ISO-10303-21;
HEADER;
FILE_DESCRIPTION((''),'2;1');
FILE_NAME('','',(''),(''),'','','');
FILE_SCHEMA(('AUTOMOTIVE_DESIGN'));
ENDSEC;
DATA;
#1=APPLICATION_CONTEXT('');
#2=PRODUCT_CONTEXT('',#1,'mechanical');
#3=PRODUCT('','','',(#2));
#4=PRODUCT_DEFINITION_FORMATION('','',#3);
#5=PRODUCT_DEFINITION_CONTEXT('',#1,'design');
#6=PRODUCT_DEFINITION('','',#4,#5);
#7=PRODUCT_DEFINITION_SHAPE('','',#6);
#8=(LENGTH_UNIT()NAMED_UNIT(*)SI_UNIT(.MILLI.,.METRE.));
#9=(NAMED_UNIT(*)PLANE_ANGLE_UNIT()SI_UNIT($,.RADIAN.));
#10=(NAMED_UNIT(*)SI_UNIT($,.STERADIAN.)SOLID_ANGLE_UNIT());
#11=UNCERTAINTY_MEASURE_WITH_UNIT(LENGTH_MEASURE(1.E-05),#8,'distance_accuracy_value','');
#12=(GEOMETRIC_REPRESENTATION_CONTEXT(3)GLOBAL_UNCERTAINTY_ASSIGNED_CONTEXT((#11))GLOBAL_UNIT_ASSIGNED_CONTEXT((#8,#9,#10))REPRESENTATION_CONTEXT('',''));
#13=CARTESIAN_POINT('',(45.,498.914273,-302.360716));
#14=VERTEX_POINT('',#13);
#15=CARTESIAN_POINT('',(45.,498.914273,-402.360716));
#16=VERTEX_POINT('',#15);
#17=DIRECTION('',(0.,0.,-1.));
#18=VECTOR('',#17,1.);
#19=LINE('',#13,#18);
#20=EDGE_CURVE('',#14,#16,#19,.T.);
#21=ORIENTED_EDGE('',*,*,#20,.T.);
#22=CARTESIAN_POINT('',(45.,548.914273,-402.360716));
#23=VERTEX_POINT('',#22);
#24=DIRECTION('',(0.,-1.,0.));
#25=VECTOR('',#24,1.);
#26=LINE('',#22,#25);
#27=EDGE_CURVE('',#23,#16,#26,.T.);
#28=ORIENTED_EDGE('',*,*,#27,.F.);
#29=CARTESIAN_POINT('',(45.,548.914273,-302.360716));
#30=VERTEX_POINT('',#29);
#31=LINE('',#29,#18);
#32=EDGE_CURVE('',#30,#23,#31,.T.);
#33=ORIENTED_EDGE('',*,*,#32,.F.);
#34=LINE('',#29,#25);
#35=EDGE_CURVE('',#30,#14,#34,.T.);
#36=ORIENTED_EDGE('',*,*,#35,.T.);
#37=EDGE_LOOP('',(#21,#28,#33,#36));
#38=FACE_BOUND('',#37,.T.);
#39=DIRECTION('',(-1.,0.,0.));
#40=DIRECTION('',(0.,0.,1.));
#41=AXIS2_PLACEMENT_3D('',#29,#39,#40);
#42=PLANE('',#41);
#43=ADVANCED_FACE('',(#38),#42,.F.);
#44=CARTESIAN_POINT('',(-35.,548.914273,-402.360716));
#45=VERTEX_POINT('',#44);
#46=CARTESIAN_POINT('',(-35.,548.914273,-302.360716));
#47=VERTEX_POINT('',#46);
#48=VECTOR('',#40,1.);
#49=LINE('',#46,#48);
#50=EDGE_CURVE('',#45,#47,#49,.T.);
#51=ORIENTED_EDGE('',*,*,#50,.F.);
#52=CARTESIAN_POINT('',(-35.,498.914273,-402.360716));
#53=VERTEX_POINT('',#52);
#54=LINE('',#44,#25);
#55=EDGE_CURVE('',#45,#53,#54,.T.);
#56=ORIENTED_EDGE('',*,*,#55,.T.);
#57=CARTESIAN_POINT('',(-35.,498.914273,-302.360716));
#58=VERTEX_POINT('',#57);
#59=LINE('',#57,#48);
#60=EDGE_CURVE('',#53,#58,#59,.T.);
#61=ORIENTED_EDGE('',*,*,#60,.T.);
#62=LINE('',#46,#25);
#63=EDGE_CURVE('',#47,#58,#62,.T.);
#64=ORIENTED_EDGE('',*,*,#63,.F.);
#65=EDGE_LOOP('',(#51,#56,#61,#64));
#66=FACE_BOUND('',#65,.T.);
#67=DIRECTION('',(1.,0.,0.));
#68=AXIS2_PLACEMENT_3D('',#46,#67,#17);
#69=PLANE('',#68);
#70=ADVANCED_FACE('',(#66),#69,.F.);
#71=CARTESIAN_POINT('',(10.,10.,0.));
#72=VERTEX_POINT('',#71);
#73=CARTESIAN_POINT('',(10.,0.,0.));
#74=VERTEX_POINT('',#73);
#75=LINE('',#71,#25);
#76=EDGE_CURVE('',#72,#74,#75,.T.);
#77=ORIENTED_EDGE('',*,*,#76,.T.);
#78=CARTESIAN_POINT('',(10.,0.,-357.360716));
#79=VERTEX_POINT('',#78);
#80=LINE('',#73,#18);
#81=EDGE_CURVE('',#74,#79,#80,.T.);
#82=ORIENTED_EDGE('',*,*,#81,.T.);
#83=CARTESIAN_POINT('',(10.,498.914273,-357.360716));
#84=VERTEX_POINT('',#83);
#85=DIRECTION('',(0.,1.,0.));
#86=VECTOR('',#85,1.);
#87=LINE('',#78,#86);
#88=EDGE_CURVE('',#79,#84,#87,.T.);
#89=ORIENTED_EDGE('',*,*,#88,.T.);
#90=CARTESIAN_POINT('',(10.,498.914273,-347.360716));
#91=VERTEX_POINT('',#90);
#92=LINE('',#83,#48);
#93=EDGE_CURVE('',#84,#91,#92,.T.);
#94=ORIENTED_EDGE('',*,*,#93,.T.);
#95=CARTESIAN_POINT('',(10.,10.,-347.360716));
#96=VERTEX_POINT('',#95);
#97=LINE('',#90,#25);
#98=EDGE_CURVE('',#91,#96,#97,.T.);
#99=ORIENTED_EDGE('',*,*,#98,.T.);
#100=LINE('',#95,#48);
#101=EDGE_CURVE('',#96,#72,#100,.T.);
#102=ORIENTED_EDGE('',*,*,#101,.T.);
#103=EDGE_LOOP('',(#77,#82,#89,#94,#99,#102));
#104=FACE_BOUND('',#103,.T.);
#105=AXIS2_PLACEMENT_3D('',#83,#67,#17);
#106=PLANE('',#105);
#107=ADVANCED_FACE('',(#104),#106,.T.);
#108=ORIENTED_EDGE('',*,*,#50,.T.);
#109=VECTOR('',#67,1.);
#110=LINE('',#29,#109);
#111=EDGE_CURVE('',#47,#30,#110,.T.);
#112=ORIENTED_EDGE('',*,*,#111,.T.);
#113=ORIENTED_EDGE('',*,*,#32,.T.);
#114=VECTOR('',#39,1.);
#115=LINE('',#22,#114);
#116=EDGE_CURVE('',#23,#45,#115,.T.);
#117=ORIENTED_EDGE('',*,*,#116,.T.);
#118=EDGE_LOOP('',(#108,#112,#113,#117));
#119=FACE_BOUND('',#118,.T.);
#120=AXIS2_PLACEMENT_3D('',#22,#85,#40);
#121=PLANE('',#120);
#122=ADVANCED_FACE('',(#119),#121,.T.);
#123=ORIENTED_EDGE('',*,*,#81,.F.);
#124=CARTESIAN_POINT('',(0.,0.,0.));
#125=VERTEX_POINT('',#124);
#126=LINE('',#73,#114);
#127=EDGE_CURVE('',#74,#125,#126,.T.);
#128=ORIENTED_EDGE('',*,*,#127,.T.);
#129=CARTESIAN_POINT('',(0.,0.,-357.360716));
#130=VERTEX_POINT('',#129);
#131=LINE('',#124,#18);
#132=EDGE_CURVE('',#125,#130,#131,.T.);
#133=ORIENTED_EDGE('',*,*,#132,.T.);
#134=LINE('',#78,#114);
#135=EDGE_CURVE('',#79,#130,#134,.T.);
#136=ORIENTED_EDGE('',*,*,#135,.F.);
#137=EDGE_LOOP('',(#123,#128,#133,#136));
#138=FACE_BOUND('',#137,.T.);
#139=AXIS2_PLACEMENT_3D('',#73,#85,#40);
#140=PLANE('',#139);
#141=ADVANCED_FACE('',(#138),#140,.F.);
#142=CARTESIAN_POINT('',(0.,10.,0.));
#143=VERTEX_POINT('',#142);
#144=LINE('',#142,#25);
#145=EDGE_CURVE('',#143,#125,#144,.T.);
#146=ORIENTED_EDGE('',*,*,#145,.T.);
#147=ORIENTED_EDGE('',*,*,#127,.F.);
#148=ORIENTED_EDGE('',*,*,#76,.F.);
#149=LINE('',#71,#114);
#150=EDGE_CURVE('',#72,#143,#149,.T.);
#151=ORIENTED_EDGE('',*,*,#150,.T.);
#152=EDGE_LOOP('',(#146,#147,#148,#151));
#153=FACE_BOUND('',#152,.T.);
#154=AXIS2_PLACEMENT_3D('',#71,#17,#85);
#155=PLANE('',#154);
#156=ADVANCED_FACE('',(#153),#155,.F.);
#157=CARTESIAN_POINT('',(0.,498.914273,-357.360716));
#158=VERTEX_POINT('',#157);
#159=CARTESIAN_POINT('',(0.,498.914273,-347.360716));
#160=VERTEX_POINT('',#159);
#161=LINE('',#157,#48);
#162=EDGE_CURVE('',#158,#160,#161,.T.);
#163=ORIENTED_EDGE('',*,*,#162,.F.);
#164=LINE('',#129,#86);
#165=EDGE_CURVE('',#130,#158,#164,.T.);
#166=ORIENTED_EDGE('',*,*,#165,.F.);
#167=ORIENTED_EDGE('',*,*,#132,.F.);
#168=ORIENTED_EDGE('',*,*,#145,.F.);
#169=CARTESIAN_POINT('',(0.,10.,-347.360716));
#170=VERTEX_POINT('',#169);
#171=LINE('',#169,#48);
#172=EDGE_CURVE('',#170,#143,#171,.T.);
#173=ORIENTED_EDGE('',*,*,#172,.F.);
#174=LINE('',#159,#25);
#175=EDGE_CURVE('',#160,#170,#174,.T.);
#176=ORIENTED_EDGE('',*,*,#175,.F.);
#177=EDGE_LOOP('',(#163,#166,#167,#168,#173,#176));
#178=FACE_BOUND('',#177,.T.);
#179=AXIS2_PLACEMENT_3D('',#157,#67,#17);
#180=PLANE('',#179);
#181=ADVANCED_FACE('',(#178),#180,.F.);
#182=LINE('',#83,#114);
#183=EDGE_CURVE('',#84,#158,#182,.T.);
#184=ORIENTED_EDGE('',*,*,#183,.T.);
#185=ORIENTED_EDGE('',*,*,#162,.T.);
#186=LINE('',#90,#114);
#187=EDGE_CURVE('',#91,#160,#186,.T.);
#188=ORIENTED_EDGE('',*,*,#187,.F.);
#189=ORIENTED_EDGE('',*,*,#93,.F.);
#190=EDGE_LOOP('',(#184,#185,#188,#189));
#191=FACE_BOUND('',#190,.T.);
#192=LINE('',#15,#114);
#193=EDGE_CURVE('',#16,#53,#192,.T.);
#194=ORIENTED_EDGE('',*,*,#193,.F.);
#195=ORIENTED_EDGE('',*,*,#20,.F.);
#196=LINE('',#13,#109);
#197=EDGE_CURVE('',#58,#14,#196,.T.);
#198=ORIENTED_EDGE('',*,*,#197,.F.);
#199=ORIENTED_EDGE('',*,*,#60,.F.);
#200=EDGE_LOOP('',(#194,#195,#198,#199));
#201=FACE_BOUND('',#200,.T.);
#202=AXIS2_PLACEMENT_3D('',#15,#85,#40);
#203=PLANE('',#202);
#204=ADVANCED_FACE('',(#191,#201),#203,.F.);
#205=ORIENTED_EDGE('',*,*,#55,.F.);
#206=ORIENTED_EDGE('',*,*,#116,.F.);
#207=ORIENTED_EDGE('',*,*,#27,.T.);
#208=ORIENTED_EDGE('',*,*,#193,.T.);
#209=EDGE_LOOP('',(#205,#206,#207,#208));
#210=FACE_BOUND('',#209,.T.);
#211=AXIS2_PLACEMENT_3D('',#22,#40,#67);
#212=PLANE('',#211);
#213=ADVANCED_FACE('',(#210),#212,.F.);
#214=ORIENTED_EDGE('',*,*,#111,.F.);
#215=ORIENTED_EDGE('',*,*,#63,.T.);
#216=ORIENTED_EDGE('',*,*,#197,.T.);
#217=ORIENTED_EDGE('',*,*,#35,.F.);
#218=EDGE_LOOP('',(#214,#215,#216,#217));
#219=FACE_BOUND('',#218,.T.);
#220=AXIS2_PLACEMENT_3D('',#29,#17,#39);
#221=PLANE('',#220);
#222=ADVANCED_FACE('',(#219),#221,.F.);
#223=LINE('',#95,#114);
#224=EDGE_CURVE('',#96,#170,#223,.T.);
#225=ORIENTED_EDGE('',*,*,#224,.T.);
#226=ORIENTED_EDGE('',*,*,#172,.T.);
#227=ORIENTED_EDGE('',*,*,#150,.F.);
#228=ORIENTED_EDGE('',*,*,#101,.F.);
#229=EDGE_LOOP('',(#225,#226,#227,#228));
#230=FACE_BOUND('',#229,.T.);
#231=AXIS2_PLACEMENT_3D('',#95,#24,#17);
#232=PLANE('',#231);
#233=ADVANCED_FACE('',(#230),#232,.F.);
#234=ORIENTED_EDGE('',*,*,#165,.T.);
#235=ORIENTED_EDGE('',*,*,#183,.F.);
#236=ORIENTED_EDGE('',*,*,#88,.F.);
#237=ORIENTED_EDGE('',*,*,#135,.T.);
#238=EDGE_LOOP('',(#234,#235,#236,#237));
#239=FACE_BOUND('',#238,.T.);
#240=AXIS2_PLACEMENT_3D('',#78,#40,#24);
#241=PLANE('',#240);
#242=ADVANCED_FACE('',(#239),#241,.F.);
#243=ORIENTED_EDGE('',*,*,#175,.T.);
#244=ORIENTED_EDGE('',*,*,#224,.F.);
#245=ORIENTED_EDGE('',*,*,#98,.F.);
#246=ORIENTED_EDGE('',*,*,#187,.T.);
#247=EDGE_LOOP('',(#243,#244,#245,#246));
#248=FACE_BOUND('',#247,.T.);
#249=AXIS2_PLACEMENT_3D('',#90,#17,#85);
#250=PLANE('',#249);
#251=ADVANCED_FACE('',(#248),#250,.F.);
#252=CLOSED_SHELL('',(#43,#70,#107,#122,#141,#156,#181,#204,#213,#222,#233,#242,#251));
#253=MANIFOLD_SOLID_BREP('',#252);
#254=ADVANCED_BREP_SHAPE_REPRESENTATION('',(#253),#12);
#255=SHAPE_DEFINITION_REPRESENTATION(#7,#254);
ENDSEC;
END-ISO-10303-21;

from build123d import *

# Parameters (mm, degrees)
EXTRUDE1_DEPTH = 10
SKETCH2_W      = 80
SKETCH2_H      = 100
EXTRUDE2_DEPTH = 50


with BuildPart() as part:
    # Sketch1 → Extrude1 (new body)
    with BuildSketch(Plane(origin=(0, 0, 0), x_dir=(0, 0, -1), z_dir=(1, 0, 0))):
        Polygon((0, 0), (357.360716499, 0), (357.360716499, 498.914273257), (347.360716499, 498.914273257), (347.360716499, 10), (0, 10), align=None)
    extrude(amount=EXTRUDE1_DEPTH)

    # Sketch2 → Extrude2 (add)
    with BuildSketch(Plane(origin=(0, 498.914273257, 0), x_dir=(-1, 0, 0), z_dir=(0, 1, 0))):
        with Locations((-5, -352.360716499)):
            Rectangle(SKETCH2_W, SKETCH2_H)
    extrude(amount=EXTRUDE2_DEPTH)


solid = part.part
